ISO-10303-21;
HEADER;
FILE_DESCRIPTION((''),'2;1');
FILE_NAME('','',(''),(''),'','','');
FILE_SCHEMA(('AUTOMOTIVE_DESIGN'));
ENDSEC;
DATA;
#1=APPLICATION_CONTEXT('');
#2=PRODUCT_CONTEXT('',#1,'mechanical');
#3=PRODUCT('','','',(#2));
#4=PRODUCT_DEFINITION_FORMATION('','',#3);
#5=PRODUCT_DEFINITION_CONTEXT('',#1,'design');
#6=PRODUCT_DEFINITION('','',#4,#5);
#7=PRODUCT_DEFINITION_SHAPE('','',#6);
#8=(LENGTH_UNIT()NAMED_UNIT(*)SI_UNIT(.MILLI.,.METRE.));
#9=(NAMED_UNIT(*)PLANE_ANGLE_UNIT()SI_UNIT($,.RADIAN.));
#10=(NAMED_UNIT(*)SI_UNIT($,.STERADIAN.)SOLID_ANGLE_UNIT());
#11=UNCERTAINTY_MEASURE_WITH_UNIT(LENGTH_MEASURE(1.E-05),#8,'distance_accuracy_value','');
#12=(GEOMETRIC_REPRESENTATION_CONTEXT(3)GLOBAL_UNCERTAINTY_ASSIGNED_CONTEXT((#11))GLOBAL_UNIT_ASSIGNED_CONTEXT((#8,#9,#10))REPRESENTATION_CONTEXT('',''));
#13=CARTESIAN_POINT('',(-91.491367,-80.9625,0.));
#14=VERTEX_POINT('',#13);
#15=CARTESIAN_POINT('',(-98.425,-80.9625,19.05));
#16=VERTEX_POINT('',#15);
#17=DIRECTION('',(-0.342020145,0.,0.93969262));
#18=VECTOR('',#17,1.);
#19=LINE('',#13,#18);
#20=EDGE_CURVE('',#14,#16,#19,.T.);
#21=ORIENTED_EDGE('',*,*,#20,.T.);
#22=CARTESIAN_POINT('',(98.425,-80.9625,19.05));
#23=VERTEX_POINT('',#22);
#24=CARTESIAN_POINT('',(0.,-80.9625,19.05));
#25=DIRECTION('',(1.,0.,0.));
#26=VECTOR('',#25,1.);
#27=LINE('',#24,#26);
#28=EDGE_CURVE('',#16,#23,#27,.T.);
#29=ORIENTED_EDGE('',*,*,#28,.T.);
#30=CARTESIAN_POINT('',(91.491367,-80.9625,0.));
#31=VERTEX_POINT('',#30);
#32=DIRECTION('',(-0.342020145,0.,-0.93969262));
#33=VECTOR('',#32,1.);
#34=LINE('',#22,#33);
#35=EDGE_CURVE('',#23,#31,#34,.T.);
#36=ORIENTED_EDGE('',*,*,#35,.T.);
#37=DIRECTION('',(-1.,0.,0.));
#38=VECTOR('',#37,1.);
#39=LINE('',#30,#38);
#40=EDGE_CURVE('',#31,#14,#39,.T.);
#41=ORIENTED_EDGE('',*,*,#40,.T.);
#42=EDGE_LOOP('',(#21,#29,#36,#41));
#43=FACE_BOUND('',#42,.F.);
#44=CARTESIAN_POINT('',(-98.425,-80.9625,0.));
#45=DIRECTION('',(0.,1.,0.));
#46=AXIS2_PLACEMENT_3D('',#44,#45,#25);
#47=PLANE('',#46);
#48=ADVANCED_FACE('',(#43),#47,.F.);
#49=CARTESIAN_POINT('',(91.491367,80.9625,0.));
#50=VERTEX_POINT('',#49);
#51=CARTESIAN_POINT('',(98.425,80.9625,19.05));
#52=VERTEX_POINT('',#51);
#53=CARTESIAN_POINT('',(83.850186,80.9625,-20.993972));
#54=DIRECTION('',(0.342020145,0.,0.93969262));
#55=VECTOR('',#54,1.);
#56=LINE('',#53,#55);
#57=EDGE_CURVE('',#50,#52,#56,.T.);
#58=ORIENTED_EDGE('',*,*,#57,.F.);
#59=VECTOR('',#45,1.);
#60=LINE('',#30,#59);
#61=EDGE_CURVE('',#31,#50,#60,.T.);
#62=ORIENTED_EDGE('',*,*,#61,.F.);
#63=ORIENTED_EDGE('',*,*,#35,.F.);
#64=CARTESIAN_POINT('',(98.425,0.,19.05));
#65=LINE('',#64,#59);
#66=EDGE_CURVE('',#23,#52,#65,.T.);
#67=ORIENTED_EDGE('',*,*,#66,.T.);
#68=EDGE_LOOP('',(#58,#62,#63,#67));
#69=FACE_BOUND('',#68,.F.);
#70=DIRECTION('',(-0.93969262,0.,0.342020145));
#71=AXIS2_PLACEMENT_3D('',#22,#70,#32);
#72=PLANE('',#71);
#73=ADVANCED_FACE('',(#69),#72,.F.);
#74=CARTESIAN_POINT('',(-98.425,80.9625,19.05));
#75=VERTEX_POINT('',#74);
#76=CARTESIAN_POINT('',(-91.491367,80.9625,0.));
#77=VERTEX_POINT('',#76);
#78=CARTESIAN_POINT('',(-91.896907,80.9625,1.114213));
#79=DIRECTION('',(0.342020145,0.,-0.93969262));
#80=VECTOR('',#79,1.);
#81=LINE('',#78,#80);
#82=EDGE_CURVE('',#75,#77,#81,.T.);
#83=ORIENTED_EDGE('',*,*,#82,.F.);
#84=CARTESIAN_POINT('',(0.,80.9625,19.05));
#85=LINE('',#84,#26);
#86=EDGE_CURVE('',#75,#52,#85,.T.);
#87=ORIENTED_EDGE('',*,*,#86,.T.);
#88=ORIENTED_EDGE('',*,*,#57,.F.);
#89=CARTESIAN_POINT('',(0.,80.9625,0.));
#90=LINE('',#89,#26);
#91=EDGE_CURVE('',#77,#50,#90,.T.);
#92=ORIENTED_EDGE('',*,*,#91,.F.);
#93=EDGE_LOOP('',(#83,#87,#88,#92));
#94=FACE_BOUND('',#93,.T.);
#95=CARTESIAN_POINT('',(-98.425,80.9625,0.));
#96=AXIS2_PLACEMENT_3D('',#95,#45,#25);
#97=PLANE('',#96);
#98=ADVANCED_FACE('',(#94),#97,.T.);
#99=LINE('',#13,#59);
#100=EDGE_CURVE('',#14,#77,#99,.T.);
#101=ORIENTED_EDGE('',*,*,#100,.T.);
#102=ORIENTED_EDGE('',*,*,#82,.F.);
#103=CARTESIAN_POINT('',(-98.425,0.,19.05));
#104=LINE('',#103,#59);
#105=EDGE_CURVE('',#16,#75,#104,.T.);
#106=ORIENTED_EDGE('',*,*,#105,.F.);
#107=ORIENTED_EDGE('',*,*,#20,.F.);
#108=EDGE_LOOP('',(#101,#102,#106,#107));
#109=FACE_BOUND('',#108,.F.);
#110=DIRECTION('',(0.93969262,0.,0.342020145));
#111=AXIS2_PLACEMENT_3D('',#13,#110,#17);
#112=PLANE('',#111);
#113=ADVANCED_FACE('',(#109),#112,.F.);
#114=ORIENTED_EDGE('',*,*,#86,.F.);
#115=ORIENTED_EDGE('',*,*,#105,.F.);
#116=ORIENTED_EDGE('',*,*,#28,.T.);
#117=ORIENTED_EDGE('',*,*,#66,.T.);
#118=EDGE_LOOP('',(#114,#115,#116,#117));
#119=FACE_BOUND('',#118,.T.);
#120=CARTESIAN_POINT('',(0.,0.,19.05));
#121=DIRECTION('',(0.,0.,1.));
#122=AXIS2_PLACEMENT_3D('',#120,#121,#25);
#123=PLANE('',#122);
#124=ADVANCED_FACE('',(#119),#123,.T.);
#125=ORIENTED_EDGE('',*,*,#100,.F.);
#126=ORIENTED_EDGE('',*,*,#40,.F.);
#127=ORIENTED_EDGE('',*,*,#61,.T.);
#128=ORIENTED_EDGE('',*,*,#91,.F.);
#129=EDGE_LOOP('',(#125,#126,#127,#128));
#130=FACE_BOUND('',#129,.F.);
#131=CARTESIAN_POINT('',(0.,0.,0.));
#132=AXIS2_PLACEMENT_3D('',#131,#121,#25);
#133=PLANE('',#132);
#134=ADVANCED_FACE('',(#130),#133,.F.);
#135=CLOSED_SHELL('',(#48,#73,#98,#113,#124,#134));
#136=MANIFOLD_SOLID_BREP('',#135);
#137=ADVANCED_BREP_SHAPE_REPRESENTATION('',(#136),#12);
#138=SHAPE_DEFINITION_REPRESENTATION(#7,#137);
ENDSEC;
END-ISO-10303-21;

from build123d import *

# Parameters (mm, degrees)
F0_W     = 196.85
F0_H     = 161.925
F1_DEPTH = 19.05
F3_DEPTH = 161.926


with BuildPart() as f1:
    # F0 (on Top) → F1 (new body)
    with BuildSketch(Plane.XY):
        Rectangle(F0_W, F0_H)
    extrude(amount=F1_DEPTH)

    # F2 (on face) → F3 (cut, through all)
    with BuildSketch(Plane.XZ.offset(80.9625)):
        Polygon((-91.491367, 0), (-98.425, 19.05), (-98.425, -13.328268), (98.425, -13.328268), (98.425, 19.05), (91.491367, 0), align=None)
    extrude(amount=-F3_DEPTH, mode=Mode.SUBTRACT)


solid = f1.part
